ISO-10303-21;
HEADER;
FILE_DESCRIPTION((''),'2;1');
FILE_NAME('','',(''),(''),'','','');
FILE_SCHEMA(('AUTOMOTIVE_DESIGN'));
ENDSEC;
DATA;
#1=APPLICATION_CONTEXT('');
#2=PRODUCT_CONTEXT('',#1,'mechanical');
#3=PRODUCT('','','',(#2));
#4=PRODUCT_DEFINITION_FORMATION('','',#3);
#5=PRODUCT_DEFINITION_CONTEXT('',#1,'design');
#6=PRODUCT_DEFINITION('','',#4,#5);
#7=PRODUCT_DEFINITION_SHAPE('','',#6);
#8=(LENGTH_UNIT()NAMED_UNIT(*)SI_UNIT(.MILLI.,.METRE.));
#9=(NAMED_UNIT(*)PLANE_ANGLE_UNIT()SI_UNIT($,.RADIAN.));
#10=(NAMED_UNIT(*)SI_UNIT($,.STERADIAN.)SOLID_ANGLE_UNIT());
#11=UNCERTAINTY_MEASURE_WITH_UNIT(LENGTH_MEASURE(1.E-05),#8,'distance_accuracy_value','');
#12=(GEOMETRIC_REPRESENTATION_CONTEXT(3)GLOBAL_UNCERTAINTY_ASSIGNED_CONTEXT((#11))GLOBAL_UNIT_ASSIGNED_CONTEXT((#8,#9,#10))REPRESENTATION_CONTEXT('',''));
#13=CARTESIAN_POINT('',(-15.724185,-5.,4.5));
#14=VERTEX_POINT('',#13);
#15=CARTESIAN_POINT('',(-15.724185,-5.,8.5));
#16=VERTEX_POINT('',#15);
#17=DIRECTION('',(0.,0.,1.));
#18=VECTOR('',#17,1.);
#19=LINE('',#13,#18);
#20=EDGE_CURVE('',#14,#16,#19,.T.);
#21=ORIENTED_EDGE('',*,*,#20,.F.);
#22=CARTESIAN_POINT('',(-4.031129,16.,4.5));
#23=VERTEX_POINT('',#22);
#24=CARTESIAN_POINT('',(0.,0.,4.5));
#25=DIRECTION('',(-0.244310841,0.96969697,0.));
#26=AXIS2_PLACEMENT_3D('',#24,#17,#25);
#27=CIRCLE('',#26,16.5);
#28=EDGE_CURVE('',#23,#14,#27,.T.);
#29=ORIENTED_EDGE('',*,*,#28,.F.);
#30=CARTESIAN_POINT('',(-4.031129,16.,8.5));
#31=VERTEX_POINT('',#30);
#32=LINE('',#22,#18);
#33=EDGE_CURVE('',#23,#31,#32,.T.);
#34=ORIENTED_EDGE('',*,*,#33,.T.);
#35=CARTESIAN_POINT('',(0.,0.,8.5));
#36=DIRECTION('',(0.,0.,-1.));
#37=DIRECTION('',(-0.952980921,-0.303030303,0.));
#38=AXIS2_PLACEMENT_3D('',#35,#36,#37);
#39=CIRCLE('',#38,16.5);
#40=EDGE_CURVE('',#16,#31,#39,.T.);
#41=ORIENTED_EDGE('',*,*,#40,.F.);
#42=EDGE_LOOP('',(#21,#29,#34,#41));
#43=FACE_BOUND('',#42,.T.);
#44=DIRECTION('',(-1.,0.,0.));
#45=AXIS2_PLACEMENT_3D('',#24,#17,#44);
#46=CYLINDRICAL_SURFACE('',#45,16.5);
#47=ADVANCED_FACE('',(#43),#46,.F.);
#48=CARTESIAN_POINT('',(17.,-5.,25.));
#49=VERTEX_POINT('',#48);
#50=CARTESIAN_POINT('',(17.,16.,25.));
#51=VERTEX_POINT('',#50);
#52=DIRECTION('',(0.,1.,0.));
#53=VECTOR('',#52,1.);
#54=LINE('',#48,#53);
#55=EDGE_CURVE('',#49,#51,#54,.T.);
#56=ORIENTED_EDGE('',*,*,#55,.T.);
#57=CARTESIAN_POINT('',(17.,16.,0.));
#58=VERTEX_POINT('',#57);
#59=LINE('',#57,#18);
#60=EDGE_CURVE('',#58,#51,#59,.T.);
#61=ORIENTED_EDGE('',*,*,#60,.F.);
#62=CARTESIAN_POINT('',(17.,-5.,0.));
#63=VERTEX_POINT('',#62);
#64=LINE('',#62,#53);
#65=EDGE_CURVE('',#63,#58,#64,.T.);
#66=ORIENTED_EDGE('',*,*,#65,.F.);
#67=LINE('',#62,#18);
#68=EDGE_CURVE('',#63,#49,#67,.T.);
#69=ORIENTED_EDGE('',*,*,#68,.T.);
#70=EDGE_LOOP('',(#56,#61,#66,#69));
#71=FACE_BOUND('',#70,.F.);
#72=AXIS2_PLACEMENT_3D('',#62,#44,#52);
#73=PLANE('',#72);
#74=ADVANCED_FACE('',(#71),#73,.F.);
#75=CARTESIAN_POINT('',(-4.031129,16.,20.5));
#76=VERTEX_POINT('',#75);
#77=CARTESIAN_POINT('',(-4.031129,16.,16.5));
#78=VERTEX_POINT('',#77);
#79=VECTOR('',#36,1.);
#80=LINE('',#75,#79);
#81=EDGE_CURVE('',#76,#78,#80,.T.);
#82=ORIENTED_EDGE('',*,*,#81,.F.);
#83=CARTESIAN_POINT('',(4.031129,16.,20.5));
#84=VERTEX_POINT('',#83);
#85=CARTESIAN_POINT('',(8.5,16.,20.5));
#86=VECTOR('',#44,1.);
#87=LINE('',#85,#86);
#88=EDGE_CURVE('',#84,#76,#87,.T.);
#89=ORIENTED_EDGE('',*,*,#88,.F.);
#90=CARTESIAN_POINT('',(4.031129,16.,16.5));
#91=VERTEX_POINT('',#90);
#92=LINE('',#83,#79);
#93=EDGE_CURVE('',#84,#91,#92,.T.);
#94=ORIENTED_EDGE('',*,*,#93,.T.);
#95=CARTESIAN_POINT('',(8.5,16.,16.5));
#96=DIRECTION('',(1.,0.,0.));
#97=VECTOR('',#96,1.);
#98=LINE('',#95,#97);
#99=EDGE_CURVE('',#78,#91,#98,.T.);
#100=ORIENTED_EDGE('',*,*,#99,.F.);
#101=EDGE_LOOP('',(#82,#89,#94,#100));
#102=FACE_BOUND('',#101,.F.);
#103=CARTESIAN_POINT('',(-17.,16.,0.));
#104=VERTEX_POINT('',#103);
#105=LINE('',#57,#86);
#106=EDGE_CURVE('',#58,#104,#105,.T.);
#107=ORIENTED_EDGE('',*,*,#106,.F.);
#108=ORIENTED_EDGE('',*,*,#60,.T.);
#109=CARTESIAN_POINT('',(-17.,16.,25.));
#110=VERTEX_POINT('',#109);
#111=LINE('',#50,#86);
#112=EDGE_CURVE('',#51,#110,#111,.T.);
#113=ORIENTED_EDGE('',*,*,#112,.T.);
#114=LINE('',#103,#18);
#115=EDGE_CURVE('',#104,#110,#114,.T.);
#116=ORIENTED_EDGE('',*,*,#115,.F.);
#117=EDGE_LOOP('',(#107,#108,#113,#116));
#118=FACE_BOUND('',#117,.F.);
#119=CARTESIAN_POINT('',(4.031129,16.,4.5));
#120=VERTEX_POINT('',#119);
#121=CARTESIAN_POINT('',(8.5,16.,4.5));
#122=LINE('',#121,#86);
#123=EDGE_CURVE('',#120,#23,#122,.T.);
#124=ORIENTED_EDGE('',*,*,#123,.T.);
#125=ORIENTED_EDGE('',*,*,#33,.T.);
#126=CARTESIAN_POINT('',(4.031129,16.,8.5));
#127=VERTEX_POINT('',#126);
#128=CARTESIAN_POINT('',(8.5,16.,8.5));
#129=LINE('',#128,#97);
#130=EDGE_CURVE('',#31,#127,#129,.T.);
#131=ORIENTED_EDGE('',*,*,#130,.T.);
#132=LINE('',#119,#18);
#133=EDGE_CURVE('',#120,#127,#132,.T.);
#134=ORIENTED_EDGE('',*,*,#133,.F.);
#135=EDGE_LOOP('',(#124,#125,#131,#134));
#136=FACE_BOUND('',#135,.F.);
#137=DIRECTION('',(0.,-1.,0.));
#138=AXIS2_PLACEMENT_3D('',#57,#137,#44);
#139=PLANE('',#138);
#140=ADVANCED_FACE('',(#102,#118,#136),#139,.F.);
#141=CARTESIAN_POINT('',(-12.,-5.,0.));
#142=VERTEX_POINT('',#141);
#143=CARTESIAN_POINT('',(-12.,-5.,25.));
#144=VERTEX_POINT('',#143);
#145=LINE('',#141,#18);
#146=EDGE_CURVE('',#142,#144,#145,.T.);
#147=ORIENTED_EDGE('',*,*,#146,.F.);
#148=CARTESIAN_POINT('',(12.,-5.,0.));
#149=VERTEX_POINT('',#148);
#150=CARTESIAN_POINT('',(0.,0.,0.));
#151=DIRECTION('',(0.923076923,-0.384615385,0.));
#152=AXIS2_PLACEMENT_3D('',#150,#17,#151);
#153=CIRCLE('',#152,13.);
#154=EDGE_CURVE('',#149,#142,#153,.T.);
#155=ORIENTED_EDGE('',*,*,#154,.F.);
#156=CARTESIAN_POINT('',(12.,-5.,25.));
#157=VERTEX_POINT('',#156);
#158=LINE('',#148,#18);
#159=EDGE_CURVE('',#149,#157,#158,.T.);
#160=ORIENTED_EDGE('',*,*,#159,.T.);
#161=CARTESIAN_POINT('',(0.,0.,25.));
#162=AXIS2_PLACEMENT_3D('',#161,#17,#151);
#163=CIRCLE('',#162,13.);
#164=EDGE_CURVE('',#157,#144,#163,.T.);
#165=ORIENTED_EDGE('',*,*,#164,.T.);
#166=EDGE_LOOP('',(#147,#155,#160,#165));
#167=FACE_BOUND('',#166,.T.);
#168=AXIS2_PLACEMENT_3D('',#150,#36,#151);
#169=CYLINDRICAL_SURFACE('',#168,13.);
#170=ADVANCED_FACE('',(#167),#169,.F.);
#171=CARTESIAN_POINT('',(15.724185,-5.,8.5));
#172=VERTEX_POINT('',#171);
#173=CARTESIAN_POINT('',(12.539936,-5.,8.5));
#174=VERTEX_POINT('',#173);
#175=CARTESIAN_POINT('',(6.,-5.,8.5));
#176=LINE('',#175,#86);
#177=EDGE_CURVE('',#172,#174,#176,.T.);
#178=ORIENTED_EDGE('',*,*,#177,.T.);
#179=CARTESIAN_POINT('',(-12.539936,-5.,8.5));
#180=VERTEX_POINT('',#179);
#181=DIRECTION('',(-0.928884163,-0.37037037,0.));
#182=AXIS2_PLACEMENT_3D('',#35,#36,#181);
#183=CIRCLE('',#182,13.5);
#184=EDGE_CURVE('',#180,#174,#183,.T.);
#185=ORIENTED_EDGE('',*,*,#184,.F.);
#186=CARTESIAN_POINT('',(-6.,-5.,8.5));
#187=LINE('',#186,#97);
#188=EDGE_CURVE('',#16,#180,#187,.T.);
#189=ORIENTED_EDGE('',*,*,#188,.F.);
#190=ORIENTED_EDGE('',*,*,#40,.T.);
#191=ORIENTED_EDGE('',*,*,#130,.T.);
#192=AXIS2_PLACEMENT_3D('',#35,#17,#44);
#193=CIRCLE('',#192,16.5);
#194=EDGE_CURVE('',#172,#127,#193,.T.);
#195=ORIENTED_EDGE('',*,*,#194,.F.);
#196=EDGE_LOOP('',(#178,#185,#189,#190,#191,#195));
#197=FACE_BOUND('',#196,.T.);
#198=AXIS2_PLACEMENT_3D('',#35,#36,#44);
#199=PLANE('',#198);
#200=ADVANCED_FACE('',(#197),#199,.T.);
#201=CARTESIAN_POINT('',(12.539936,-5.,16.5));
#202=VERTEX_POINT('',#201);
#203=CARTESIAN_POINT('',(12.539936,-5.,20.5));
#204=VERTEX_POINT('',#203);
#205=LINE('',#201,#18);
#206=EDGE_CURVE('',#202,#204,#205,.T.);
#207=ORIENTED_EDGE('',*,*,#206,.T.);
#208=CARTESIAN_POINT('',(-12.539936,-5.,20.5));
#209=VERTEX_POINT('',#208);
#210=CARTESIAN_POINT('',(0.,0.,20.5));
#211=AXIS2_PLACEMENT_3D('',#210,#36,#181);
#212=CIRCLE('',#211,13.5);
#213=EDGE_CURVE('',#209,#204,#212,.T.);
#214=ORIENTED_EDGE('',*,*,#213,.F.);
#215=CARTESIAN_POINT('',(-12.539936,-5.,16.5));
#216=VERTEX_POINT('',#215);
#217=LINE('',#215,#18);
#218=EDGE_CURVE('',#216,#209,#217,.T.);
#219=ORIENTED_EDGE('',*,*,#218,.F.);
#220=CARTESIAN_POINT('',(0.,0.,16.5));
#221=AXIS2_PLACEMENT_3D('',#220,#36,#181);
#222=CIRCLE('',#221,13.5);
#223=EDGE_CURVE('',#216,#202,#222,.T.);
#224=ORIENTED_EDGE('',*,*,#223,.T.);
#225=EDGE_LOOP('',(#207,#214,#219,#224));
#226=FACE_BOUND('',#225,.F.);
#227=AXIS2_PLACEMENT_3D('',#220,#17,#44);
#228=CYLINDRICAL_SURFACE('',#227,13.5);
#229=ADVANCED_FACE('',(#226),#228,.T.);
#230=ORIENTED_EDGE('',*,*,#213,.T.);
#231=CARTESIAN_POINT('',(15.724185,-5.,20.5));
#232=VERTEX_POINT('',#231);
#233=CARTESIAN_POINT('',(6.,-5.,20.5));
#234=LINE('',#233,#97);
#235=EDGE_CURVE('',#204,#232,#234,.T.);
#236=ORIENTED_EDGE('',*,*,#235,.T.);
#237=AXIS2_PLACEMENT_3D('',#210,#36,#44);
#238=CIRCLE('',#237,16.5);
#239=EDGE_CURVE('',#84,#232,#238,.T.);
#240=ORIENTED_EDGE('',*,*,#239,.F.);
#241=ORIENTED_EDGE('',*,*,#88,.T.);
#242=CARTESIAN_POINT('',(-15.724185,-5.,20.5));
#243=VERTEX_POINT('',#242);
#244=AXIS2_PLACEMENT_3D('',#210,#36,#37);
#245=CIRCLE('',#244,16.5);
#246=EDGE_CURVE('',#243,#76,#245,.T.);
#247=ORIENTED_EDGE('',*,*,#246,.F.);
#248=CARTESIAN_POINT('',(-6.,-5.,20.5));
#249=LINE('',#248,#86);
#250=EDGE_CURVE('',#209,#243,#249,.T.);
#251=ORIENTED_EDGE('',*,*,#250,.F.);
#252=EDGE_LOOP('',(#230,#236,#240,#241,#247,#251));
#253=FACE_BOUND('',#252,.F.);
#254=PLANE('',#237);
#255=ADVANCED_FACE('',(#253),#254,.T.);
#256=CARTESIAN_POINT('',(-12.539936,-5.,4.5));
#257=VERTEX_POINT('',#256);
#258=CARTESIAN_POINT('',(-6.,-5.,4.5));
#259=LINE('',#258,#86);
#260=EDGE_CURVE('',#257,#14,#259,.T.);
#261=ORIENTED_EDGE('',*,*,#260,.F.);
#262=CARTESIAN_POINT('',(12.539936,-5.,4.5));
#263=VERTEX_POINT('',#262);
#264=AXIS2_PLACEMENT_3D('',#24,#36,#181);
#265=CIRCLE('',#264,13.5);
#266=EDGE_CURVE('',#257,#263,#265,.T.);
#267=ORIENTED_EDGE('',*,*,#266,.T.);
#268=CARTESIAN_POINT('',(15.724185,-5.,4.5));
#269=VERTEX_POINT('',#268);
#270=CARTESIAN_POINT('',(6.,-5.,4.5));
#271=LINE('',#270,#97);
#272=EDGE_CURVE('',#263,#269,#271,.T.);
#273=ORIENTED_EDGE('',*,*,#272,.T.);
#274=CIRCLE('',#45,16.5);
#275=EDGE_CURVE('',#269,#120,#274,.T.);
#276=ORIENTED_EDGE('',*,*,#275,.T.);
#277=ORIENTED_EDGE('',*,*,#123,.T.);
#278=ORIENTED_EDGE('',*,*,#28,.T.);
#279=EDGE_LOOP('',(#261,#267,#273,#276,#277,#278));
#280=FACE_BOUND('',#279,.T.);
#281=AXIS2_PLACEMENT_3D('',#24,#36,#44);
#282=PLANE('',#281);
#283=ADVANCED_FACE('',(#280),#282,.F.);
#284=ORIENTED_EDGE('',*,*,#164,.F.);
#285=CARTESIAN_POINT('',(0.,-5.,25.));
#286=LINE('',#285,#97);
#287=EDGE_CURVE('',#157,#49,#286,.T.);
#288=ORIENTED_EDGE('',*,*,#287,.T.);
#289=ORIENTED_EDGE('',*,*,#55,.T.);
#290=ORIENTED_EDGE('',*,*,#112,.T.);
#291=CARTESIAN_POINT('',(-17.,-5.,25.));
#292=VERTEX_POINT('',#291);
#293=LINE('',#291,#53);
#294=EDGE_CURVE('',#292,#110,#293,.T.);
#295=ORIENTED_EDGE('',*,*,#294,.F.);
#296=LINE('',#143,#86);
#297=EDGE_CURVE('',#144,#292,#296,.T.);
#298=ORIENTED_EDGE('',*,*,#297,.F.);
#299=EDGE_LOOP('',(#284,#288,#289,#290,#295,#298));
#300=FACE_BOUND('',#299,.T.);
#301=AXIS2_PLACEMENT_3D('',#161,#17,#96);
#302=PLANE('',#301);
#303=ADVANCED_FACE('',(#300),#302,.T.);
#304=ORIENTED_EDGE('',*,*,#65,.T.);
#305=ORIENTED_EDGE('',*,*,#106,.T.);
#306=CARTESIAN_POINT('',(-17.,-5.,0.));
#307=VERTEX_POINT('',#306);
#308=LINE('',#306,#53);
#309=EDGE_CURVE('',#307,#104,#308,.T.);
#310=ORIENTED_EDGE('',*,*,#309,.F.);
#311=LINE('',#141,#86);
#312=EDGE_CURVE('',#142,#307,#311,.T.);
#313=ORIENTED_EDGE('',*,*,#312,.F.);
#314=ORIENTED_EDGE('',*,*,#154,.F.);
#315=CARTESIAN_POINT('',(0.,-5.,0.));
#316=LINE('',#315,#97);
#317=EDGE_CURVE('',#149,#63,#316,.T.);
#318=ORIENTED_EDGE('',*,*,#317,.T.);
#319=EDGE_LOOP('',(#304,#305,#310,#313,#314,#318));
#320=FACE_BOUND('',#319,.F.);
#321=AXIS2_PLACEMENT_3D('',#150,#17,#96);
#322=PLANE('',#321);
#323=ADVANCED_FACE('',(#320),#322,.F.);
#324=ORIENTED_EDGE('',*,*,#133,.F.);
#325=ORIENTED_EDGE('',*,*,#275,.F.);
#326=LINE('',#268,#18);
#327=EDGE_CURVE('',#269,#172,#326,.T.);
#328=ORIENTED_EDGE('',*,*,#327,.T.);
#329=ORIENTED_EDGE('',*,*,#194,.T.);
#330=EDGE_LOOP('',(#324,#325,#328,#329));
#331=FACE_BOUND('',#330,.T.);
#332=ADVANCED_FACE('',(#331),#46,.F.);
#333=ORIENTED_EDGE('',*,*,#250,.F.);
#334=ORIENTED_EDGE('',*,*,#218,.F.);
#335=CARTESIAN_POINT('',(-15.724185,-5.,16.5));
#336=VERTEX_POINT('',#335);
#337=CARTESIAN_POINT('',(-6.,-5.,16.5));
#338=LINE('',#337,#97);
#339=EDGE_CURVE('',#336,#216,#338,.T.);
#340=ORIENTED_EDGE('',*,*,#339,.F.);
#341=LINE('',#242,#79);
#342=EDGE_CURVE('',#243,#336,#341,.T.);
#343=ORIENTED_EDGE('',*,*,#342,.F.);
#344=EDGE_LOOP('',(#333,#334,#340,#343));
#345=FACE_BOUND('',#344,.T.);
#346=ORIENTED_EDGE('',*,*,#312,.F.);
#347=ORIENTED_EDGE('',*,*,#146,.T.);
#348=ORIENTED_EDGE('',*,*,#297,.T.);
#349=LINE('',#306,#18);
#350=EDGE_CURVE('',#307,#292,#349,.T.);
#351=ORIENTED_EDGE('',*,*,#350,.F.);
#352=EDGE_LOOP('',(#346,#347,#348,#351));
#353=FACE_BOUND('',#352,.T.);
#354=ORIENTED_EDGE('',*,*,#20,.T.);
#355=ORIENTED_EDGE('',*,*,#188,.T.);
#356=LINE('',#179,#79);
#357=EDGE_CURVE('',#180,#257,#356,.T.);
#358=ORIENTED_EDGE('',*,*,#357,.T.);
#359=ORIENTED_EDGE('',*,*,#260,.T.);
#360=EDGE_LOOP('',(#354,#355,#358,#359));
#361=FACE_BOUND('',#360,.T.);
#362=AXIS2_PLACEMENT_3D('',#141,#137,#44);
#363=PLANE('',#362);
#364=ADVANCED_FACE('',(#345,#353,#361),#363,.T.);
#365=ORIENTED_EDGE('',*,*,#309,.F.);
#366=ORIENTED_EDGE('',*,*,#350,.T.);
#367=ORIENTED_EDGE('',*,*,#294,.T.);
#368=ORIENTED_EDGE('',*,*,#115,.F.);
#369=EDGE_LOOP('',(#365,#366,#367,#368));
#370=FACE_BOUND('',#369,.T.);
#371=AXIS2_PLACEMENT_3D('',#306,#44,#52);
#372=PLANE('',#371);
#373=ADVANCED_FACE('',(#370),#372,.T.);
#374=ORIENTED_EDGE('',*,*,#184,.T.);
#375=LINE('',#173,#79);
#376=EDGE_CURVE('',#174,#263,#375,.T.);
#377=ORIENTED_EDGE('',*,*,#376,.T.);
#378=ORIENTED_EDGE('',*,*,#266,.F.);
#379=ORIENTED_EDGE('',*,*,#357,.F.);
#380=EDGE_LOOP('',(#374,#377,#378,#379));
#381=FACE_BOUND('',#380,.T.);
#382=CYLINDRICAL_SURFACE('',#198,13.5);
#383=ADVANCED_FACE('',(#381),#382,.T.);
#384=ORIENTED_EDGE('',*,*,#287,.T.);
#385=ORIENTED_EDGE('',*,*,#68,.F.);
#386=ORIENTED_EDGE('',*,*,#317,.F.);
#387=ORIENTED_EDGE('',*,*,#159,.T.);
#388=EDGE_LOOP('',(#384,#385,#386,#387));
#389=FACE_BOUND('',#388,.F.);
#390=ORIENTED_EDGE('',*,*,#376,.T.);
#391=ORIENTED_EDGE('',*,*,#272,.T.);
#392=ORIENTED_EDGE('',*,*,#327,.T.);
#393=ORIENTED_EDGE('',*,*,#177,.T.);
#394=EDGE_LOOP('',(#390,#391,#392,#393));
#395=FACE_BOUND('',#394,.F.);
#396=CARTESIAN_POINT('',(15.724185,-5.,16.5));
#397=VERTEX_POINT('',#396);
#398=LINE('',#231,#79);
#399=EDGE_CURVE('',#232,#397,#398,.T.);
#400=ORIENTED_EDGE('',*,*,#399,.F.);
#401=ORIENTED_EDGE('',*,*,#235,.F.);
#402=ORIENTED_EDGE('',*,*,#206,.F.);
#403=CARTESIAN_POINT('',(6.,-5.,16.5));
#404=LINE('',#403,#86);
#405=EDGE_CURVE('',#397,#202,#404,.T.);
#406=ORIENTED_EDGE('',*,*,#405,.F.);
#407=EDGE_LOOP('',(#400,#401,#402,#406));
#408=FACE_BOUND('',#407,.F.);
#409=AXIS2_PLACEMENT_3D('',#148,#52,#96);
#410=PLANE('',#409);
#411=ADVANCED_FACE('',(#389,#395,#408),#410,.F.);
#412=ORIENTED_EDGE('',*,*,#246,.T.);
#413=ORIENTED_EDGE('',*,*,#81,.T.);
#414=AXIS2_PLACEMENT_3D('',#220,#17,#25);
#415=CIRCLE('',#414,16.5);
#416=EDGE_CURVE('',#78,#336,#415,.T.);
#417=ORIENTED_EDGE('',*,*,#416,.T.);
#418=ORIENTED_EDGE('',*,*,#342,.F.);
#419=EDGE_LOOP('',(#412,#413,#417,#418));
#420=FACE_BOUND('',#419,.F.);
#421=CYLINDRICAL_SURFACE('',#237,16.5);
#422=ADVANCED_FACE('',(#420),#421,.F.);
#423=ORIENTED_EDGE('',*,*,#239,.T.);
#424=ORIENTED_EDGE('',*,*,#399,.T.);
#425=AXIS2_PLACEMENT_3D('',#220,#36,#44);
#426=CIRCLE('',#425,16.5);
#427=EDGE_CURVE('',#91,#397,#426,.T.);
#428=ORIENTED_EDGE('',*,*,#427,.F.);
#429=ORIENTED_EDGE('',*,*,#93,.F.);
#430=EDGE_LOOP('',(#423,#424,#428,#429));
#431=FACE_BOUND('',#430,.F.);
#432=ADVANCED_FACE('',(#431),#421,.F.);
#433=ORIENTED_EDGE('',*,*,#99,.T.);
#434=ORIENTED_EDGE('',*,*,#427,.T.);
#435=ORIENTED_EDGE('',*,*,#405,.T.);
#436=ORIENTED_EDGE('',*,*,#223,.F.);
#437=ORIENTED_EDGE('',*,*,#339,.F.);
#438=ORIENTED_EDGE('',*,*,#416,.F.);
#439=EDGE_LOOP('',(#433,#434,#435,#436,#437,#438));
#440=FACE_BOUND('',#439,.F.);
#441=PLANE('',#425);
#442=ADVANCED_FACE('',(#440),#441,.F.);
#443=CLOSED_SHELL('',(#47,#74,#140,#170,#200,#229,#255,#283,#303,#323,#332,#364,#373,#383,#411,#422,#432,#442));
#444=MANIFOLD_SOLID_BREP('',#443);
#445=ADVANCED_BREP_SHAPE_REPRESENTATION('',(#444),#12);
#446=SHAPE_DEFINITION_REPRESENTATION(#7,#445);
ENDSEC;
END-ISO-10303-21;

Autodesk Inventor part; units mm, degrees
ref_plane "YZ Plane" through (0, 0, 0) normal (1, 0, 0) x (0, 1, 0)
ref_plane "XZ Plane" through (0, 0, 0) normal (0, 1, 0) x (-1, 0, 0)
ref_plane "XY Plane" through (0, 0, 0) normal (0, 0, 1) x (1, 0, 0)
sketch "Sketch1" plane through (0, 0, 0) normal (0, 0, 1) x (1, 0, 0)
  arc A0 (12, -5) -> (-12, -5) centre (0, 0) ccw
  line L0 (0, 0) -> (0, -5)
  line L1 (-12, -5) -> (-17, -5)
  line L2 (-17, -5) -> (-17, 16)
  line L3 (0, -5) -> (17, -5)
  line L4 (17, -5) -> (17, 16)
  line L5 (17, 16) -> (-17, 16)
  dimension "d0" = 26
  dimension "d1" = 5
  dimension "d2" = 17
  dimension "d3" = 21
  dimension "d4" = 17
  dimension "d5" = 21
extrude "Extrusion1" add sketch "Sketch1" along normal blind 25
ref_plane "Work Plane1" through (0, 0, 0) normal (0, -1, 0) x (1, 0, 0)
sketch "Sketch2" plane through (0, 0, 0) normal (0, -1, 0) x (1, 0, 0)
  line L0 (0, 0) -> (0, 25)
  line L1 (-13, 25) -> (13, 25) projected
  line L2 (0, 12.5) -> (-13, 12.5)
  line L3 (-13, 12.5) -> (-15, 12.5)
  line L4 (-15, 12.5) -> (-15, 16.5)
  line L5 (-15, 16.5) -> (-13.5, 16.5)
  line L6 (-13.5, 16.5) -> (-13.5, 20.5)
  line L7 (-13.5, 20.5) -> (-16.5, 20.5)
  line L8 (-16.5, 20.5) -> (-16.5, 16.5)
  line L9 (-16.5, 16.5) -> (-15, 16.5)
  line L10 (-15, 12.5) -> (-15, 8.5)
  line L11 (-15, 8.5) -> (-13.5, 8.5)
  line L12 (-13.5, 8.5) -> (-13.5, 4.5)
  line L13 (-13.5, 4.5) -> (-16.5, 4.5)
  line L14 (-16.5, 4.5) -> (-16.5, 8.5)
  line L15 (-16.5, 8.5) -> (-15, 8.5)
  line L16 (13, 12.5) -> (15, 12.5)
  line L17 (15, 12.5) -> (15, 16.5)
  line L18 (15, 16.5) -> (13.5, 16.5)
  line L19 (13.5, 16.5) -> (13.5, 20.5)
  line L20 (13.5, 20.5) -> (16.5, 20.5)
  line L21 (16.5, 20.5) -> (16.5, 16.5)
  line L22 (16.5, 16.5) -> (15, 16.5)
  line L23 (15, 12.5) -> (15, 8.5)
  line L24 (15, 8.5) -> (13.5, 8.5)
  line L25 (13.5, 8.5) -> (13.5, 4.5)
  line L26 (13.5, 4.5) -> (16.5, 4.5)
  line L27 (16.5, 4.5) -> (16.5, 8.5)
  line L28 (16.5, 8.5) -> (15, 8.5)
  point P0 (-12, 25)
  point P1 (12, 25)
  dimension "d8" = 2
  dimension "d9" = 4
  dimension "d10" = 1.5
  dimension "d11" = 4
  dimension "d12" = 3
  dimension "d13" = 4
revolve "Revolution1" cut sketch "Sketch2" angle 180 about axis through (0, 0, 0) along (0, 0, -1)
equation "\"BendRadius\" = Thickness"
equation "\"BendReliefWidth\" = Thickness"
equation "\"BendReliefDepth\" = 0.5 * Thickness"
equation "\"CornerReliefSize\" = 4 * Thickness"
equation "\"MinimumRemnant\" = 2 * Thickness"
equation "\"TransitionRadius\" = BendRadius"
equation "\"JacobiRadiusSize\" = BendRadius"
equation "\"GapSize\" = Thickness"
equation "\"Thickness\" = 0.5"
properties part number "abrazadera_smps"
